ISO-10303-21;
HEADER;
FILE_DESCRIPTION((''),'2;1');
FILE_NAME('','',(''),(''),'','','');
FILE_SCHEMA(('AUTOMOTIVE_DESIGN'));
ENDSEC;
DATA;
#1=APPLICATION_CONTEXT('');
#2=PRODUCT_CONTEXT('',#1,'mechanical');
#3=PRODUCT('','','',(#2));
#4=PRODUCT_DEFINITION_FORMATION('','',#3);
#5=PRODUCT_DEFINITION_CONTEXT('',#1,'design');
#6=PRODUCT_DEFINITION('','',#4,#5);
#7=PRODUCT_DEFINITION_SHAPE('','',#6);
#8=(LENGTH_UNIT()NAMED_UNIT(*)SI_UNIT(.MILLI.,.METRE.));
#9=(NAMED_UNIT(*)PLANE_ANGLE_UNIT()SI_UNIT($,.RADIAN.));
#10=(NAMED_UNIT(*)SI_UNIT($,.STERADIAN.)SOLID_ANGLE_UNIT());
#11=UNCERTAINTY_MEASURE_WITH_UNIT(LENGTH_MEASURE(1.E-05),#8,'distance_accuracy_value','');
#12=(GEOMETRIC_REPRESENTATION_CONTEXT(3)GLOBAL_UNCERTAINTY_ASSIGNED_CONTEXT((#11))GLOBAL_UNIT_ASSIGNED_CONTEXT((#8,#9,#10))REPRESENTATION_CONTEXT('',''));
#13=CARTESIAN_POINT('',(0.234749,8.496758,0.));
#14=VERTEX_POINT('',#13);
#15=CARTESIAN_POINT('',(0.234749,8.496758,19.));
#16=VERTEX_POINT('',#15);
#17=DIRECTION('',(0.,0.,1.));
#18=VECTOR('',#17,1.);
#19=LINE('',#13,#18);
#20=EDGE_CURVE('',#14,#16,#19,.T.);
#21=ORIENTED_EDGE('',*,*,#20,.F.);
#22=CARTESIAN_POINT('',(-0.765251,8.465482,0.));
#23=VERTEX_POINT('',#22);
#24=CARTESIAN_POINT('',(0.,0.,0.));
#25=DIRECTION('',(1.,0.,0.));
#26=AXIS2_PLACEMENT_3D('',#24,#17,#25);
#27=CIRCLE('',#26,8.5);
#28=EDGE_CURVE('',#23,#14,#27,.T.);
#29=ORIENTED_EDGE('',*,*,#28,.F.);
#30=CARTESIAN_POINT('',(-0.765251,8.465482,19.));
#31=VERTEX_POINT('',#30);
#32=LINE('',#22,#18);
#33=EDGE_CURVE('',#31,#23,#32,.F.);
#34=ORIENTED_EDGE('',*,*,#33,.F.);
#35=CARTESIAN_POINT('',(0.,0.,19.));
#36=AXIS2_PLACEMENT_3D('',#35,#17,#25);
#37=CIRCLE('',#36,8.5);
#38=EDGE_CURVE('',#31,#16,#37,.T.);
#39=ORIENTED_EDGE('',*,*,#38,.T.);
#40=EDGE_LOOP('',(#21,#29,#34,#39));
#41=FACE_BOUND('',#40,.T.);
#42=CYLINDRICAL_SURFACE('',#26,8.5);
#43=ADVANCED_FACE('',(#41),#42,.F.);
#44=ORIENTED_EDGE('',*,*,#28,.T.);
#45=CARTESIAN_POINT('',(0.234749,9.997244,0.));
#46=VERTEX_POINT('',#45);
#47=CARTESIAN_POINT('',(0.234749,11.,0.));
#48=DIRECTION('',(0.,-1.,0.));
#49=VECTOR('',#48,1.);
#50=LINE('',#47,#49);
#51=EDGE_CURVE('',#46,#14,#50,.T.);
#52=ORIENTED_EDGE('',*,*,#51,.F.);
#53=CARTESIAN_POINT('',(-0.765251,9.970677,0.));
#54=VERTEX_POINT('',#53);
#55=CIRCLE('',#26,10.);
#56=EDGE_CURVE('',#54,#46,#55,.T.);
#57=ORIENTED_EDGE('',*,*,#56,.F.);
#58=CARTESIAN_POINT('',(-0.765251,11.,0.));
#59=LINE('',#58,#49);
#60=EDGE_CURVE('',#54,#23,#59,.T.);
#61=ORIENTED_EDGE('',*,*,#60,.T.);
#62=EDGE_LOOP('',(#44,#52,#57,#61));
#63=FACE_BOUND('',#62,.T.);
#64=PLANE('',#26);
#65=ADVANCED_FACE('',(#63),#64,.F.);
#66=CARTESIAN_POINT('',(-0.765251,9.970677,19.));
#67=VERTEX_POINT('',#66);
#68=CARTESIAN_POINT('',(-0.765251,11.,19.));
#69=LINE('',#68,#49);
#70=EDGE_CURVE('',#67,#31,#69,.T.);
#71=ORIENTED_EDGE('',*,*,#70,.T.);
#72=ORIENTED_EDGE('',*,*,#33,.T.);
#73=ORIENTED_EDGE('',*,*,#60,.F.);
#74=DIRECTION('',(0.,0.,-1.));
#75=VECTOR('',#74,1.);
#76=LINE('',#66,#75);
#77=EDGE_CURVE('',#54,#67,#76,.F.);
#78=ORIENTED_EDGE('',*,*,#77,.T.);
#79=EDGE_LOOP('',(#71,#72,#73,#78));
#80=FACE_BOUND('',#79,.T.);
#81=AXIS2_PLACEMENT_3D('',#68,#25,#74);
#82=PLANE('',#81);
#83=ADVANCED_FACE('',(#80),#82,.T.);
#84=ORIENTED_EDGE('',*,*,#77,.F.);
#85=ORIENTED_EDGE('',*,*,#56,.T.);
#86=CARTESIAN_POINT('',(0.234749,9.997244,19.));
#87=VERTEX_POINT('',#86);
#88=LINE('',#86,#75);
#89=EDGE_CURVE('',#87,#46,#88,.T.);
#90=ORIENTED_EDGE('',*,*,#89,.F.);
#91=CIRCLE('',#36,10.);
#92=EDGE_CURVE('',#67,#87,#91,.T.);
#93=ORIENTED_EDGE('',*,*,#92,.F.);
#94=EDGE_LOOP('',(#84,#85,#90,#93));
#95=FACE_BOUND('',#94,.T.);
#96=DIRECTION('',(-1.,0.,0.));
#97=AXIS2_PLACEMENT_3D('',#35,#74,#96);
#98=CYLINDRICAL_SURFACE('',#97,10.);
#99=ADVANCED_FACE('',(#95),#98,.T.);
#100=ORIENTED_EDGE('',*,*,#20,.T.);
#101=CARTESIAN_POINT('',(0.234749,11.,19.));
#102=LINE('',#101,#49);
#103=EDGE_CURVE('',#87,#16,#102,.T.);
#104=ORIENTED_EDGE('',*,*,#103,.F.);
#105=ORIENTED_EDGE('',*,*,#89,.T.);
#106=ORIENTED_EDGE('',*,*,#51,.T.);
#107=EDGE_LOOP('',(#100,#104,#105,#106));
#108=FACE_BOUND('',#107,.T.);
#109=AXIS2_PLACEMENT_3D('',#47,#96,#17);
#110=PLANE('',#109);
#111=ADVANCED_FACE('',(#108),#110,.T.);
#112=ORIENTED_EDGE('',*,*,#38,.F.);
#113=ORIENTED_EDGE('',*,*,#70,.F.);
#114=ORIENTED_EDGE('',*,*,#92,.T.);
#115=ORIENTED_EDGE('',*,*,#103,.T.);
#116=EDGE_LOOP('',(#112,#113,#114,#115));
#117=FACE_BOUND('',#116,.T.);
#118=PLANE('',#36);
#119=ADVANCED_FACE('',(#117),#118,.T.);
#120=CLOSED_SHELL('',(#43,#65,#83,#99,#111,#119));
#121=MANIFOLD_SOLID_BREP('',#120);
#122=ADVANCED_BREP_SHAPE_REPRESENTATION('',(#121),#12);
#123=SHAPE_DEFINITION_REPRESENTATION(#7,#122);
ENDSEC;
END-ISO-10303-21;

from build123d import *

# Parameters (mm, degrees)
SKETCH1_R           = 10
BOSS_EXTRUDE1_DEPTH = 19
SKETCH3_R           = 8.5
CUT_EXTRUDE1_DEPTH  = 19
SKETCH4_W           = 1
SKETCH4_H           = 19
CUT_EXTRUDE3_DEPTH  = 3


with BuildPart() as part:
    # Sketch1 → Boss-Extrude1 (new body)
    with BuildSketch(Plane.XY):
        Circle(SKETCH1_R)
    extrude(amount=BOSS_EXTRUDE1_DEPTH)

    # Sketch3 → Cut-Extrude1 (cut)
    with BuildSketch(Plane.XY.offset(19)):
        Circle(SKETCH3_R)
    extrude(amount=-CUT_EXTRUDE1_DEPTH, mode=Mode.SUBTRACT)

    # Sketch4 → Cut-Extrude3 (cut)
    with BuildSketch(Plane(origin=(0, 8, 0), x_dir=(1, 0, 0), z_dir=(0, 1, 0))):
        with Locations((-0.265251336, -9.5)):
            Rectangle(SKETCH4_W, SKETCH4_H)
    extrude(amount=CUT_EXTRUDE3_DEPTH, mode=Mode.SUBTRACT)


solid = part.part
